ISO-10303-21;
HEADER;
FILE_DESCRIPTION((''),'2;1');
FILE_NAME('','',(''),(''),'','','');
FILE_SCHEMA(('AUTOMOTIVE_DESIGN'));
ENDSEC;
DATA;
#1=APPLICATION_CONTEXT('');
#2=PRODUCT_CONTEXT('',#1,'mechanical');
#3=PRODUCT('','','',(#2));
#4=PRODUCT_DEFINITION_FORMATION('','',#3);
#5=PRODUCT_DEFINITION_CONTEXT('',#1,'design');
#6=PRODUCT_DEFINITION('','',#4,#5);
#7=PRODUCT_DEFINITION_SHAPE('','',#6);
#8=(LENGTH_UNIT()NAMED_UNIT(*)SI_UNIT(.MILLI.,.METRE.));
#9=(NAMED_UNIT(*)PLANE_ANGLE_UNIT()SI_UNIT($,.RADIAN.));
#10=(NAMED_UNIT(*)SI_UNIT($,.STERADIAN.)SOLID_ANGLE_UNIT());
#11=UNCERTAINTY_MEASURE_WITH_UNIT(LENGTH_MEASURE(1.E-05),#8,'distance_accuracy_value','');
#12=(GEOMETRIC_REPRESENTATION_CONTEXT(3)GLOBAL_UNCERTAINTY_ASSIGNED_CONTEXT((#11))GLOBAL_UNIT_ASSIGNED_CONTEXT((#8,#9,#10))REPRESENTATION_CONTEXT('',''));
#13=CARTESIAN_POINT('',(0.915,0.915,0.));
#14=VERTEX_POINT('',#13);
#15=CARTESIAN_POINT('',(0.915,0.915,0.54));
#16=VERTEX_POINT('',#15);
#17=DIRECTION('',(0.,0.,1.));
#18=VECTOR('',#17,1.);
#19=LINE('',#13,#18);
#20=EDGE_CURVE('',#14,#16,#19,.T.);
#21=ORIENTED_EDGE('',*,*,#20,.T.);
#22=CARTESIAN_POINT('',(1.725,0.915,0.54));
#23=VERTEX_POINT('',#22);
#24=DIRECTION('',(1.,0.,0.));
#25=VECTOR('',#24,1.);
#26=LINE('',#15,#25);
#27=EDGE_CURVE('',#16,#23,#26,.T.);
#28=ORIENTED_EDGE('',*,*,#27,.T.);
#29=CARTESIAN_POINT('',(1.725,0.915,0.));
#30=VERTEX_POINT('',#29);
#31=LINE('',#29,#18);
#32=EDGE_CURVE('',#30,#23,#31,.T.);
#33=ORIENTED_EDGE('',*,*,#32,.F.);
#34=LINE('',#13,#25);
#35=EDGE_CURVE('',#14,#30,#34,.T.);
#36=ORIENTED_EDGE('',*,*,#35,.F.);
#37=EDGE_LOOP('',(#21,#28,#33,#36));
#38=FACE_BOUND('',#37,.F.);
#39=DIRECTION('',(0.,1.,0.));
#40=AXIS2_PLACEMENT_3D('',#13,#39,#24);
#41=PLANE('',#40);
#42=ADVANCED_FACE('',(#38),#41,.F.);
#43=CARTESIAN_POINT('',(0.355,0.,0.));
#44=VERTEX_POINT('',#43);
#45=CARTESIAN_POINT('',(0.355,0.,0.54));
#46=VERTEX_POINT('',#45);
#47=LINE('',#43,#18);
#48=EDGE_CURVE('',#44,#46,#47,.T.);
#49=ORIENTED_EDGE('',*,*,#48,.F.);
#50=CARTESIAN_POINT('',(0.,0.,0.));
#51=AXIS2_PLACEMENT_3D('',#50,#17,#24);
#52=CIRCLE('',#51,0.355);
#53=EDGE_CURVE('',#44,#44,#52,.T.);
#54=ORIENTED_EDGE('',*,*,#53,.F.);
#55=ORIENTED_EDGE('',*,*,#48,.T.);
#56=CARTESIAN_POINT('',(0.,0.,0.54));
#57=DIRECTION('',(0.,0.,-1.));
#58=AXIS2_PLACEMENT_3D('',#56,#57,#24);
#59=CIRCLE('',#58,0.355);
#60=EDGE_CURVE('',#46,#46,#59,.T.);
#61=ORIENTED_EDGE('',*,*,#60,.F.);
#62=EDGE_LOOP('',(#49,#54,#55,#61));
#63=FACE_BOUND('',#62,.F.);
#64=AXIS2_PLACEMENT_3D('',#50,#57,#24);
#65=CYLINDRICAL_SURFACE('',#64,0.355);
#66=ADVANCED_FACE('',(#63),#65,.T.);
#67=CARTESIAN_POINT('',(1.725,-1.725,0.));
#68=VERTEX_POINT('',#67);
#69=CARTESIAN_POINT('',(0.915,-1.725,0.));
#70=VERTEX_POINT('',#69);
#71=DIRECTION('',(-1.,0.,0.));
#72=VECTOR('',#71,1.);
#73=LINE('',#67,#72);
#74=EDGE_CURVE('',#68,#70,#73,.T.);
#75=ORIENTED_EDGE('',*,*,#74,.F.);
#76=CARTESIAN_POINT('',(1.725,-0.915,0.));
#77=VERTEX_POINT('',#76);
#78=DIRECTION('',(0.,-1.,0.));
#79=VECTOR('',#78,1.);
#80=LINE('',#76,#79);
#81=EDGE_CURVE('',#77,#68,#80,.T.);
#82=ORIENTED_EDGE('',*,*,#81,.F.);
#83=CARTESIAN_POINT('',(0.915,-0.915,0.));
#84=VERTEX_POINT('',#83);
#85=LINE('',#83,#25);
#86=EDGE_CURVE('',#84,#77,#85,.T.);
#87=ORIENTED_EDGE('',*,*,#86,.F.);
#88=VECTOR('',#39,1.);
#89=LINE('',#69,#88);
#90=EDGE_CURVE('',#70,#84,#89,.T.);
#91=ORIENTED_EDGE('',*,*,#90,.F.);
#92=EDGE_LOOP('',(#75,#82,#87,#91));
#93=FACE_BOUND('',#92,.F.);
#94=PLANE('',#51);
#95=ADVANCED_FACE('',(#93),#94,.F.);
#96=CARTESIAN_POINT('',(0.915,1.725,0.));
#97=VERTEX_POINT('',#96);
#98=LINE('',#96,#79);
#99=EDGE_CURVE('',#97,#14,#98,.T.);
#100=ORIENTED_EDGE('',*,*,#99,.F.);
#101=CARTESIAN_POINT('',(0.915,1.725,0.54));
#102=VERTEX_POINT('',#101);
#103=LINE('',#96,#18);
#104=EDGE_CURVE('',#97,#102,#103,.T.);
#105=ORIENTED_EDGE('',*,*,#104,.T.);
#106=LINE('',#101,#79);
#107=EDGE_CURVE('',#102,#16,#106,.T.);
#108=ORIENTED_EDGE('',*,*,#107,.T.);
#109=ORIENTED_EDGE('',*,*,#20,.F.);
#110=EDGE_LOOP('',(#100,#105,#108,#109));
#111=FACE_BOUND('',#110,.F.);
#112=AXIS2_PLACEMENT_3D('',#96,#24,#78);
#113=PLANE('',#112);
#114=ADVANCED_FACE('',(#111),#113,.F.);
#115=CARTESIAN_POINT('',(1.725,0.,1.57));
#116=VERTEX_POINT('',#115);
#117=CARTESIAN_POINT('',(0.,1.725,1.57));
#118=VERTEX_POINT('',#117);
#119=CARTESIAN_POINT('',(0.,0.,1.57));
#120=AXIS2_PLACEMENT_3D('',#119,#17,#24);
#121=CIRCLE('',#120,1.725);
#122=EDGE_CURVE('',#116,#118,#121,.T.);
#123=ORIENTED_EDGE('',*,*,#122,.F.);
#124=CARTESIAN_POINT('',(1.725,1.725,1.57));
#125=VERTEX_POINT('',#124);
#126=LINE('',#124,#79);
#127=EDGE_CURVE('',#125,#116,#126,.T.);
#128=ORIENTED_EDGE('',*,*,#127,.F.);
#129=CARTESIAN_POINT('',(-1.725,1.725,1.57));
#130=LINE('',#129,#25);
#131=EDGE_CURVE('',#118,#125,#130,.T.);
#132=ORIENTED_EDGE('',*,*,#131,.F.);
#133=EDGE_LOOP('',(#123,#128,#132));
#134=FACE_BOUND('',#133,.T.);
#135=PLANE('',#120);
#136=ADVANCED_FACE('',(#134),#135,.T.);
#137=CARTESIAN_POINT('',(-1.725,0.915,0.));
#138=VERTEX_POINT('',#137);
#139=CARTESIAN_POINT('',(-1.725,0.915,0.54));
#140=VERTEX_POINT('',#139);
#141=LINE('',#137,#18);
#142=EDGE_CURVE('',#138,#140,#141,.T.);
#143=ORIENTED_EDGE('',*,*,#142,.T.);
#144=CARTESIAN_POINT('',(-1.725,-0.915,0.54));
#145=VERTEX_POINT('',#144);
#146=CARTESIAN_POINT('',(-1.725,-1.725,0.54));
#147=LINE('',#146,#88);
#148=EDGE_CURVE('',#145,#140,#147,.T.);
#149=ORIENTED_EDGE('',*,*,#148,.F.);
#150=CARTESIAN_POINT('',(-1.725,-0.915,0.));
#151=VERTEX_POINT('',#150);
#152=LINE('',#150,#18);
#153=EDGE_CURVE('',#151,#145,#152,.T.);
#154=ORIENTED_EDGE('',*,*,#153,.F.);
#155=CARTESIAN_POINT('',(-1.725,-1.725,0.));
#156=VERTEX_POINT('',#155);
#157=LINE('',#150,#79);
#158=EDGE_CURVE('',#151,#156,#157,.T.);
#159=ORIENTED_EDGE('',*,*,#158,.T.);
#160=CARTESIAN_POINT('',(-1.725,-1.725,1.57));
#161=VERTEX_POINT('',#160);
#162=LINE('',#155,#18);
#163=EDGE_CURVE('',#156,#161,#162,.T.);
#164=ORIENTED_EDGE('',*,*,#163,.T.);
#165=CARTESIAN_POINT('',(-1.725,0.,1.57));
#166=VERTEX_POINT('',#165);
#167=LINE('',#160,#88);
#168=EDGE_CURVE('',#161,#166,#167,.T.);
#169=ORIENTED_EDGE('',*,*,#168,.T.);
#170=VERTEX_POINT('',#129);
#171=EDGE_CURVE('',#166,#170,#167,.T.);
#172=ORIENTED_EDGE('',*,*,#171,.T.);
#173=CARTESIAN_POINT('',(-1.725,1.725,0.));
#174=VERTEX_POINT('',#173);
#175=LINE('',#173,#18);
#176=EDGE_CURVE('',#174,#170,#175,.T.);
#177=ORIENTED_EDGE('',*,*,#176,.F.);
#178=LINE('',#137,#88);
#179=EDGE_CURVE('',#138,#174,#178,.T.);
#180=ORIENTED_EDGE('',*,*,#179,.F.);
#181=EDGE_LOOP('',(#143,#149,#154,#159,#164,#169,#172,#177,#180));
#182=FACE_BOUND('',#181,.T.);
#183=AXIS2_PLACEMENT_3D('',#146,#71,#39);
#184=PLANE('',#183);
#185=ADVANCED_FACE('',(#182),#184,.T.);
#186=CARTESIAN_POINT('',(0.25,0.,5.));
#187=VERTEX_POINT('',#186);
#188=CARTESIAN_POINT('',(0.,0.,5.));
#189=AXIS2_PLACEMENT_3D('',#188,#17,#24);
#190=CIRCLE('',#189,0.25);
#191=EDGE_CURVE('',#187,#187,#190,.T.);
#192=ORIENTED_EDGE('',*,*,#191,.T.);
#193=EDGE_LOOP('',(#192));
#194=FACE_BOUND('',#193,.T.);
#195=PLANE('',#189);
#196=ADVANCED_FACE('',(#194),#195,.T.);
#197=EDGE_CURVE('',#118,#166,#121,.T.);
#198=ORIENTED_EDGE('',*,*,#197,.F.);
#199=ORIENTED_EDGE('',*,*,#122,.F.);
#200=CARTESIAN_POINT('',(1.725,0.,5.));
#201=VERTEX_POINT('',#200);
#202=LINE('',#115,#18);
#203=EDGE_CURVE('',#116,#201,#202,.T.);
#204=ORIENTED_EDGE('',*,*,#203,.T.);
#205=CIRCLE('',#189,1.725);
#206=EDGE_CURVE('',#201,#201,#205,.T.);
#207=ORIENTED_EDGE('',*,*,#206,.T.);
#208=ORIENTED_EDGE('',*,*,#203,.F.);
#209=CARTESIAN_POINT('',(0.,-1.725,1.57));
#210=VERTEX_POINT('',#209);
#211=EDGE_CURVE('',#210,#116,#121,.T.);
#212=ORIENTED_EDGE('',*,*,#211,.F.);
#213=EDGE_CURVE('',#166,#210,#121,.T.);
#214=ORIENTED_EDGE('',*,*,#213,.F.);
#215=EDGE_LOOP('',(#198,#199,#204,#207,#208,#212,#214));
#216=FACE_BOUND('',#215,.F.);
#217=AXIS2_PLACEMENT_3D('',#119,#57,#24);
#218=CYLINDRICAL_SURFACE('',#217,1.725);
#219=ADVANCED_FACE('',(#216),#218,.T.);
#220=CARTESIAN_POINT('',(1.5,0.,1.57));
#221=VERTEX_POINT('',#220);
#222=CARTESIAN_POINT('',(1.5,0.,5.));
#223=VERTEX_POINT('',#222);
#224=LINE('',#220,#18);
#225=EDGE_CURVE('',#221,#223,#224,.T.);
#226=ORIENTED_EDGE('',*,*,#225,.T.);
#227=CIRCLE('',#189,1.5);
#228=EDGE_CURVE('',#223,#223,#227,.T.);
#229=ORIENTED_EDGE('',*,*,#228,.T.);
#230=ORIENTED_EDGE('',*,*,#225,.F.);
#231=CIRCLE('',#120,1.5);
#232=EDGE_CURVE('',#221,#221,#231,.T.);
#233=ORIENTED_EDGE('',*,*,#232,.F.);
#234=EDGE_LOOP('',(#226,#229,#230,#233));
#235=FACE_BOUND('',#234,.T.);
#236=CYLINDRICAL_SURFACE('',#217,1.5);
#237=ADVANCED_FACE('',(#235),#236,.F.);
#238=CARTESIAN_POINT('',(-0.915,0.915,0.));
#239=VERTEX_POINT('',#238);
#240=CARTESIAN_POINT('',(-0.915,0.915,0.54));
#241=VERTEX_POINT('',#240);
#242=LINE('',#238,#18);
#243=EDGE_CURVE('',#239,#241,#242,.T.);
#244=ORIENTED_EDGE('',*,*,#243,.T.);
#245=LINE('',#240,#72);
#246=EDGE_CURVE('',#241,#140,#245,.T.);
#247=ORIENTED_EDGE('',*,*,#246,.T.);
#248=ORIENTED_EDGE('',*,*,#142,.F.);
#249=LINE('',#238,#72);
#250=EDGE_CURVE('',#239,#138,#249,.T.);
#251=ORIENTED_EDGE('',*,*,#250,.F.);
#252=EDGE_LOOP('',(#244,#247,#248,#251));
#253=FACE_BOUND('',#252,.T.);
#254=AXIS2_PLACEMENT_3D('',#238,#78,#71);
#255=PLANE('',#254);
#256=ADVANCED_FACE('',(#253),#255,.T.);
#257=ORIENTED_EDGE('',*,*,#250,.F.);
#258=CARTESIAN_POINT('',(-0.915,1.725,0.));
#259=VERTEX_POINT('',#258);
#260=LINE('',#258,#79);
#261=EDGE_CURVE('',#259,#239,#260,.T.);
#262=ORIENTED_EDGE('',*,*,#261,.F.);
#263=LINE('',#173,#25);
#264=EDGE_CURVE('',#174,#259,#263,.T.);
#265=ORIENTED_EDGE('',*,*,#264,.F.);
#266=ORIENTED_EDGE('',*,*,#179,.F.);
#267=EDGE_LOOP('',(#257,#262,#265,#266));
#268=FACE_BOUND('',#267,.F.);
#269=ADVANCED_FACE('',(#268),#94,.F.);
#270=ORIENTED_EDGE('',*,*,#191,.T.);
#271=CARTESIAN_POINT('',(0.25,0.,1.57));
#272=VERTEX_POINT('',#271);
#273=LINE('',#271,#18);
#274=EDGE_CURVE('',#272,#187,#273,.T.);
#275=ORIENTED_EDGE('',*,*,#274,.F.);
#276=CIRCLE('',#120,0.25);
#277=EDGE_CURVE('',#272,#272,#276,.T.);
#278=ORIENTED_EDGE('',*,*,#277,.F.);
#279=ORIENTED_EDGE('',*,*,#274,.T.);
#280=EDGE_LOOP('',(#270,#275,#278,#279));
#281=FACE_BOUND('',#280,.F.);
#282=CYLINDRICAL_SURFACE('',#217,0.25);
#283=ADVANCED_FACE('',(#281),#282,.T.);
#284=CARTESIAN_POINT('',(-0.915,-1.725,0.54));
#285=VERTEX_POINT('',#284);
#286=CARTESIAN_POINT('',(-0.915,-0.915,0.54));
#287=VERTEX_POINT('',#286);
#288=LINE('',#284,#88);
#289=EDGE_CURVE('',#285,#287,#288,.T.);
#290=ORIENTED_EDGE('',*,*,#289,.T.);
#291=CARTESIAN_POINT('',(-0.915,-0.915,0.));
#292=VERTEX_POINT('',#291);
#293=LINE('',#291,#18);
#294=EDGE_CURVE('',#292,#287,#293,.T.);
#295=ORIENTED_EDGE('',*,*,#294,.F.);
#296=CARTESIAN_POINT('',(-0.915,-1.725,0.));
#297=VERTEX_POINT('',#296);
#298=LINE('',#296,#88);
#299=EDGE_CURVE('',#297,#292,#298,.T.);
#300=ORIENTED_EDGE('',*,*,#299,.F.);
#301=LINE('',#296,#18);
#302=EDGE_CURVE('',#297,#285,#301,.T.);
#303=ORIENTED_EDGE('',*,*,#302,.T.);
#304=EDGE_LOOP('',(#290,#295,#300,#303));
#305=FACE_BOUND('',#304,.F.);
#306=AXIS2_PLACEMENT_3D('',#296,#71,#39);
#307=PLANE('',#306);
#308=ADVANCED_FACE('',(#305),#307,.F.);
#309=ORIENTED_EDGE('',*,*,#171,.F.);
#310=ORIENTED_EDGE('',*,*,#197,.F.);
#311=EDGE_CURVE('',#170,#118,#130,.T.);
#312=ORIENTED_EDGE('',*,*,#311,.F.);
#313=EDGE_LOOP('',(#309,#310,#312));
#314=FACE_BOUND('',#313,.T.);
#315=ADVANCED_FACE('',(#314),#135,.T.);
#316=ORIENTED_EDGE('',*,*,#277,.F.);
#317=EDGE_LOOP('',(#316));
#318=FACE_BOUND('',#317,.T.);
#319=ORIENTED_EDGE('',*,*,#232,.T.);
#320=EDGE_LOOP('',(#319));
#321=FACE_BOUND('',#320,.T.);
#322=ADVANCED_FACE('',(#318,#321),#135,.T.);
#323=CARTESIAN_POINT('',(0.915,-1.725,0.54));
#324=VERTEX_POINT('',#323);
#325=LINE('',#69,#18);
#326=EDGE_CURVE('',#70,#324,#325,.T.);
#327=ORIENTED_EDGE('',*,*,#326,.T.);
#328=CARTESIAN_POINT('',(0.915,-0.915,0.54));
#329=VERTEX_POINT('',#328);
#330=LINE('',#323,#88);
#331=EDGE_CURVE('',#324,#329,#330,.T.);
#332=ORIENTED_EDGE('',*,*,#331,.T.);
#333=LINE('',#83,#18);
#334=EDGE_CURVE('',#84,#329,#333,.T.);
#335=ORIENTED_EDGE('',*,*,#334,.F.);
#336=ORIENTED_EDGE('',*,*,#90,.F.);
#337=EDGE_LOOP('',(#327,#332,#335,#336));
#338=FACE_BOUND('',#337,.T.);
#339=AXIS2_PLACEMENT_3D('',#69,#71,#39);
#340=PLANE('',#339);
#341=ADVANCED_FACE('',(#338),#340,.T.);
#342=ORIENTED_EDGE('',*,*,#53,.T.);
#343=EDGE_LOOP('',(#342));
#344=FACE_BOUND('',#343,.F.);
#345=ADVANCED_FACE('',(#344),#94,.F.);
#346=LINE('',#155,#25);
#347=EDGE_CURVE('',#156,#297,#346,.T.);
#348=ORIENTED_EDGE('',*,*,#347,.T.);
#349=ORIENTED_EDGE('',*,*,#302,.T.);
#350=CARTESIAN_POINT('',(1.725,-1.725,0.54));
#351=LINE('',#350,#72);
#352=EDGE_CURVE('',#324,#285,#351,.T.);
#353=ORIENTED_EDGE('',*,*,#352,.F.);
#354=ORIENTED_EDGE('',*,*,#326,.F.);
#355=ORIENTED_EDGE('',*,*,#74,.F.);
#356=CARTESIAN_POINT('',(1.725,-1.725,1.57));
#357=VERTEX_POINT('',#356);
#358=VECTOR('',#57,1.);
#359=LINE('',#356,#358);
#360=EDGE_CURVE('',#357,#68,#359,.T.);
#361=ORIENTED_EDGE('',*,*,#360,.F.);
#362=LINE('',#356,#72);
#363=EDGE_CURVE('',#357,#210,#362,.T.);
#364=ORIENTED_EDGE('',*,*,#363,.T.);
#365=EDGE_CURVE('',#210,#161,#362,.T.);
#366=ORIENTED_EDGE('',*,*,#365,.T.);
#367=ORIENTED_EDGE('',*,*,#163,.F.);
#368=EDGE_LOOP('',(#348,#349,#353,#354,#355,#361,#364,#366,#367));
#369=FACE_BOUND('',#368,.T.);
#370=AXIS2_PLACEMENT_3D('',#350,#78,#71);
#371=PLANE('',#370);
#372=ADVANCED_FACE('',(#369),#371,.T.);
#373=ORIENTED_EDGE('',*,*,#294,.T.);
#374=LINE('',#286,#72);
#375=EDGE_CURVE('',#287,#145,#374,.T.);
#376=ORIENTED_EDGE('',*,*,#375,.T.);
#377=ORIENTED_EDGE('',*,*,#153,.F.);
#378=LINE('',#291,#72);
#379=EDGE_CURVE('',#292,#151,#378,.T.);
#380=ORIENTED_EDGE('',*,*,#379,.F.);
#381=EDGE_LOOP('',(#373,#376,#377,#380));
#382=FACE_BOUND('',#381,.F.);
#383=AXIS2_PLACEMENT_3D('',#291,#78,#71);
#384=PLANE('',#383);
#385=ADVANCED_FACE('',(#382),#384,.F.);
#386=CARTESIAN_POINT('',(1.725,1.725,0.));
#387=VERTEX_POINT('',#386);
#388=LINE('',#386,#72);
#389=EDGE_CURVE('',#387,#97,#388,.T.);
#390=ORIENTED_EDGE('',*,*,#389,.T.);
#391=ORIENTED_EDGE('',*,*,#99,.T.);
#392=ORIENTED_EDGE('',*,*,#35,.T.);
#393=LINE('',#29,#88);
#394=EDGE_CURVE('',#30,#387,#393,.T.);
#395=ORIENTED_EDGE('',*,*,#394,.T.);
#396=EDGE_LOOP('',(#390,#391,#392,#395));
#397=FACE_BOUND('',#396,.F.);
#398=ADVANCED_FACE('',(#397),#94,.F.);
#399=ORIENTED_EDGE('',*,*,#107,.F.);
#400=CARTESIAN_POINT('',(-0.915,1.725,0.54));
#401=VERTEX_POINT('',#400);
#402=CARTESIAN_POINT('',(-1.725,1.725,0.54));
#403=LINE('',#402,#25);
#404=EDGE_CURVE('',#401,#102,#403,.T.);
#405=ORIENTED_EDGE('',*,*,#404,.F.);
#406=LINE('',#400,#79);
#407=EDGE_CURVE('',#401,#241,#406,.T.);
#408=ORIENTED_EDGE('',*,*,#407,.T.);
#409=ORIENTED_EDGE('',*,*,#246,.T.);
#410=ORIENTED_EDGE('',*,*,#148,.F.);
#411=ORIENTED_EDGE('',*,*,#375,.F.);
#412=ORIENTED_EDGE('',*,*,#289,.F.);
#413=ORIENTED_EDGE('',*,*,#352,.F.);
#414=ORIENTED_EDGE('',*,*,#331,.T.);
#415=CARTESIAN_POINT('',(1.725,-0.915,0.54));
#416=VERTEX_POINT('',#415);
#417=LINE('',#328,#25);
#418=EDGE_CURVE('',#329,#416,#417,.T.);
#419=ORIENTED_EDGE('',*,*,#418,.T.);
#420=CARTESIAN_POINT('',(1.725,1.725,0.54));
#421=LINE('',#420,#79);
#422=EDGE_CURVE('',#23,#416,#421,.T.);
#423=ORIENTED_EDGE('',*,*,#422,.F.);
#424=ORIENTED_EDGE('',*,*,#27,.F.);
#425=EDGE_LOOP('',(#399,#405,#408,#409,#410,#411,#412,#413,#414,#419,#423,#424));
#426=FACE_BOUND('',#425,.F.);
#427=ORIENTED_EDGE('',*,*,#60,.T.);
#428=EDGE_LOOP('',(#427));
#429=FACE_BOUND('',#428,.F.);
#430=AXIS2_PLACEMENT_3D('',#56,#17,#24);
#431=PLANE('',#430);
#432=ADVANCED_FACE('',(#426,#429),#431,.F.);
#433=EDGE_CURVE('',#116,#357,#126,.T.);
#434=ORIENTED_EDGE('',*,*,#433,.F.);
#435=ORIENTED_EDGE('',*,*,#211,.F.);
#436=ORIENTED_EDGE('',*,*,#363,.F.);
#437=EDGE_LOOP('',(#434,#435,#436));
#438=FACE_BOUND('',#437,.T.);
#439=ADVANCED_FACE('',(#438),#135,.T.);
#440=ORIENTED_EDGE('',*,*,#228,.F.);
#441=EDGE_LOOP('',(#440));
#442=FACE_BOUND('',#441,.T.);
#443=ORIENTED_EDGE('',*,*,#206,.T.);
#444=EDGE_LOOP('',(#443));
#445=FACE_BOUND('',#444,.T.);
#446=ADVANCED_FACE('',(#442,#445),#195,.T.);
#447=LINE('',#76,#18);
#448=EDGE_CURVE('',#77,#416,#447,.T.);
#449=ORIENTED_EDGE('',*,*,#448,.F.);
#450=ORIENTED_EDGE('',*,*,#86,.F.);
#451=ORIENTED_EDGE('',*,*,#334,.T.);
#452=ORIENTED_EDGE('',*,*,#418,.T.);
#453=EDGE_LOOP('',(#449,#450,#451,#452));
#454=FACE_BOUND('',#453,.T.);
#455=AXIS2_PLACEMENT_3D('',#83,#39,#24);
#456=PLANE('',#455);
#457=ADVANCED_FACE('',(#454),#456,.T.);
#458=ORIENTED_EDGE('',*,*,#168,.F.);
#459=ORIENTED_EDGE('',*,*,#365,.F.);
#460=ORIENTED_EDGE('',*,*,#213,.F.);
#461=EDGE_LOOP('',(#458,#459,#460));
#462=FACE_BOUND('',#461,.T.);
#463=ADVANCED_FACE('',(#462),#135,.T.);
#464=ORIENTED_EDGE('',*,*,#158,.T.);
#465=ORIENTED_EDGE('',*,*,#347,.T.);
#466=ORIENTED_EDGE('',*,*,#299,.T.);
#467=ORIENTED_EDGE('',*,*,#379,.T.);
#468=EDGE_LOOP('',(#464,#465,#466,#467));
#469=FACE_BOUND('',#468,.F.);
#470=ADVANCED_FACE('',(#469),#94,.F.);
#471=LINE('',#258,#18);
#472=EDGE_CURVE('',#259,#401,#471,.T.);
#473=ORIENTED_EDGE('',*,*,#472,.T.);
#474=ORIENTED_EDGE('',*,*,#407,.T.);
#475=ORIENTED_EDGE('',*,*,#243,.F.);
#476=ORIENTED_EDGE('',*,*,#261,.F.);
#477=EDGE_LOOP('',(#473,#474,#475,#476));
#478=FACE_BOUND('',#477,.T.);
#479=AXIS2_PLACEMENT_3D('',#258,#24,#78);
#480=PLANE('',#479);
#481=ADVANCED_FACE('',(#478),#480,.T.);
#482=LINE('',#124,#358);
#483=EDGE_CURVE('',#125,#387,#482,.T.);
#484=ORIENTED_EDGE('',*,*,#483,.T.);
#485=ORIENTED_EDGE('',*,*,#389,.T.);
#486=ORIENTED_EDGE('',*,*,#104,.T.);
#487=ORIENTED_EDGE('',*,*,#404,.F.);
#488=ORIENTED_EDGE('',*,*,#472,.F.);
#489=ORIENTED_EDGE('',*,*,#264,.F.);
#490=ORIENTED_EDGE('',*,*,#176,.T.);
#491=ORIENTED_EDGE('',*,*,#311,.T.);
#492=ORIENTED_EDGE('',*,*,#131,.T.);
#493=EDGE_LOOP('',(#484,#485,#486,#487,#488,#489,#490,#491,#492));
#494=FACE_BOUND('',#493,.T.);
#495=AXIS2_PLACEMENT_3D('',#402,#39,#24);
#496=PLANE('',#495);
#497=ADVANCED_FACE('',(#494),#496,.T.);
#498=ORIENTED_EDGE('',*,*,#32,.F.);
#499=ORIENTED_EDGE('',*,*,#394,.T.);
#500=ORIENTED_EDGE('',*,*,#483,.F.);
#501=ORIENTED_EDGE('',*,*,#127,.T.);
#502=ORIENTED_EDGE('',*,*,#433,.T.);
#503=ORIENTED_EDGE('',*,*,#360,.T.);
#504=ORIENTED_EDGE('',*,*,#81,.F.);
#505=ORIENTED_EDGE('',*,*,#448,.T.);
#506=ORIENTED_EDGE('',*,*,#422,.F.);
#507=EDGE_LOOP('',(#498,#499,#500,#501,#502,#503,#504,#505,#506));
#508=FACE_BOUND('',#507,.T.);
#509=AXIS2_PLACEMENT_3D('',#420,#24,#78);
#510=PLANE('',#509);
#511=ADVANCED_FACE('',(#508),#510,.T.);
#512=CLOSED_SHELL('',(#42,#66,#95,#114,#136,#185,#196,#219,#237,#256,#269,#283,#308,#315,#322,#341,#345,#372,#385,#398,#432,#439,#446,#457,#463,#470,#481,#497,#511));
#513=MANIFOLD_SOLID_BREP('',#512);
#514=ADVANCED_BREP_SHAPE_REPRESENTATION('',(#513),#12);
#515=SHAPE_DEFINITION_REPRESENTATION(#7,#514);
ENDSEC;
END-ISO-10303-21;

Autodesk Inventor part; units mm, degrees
ref_plane "YZ Plane" through (0, 0, 0) normal (1, 0, 0) x (0, 1, 0)
ref_plane "XZ Plane" through (0, 0, 0) normal (0, 1, 0) x (-1, 0, 0)
sketch "Sketch1" plane through (0, 0, 0) normal (0, 0, 1) x (1, 0, 0)
  line L0 (0, 0) -> (0.4099, 0)
  line L1 (0, 0) -> (0, 0.6993)
  circle A0 centre (0, 0) radius 0.355
  line L2 (-1.725, 1.725) -> (1.725, 1.725) construction
  line L3 (1.725, 1.725) -> (1.725, -1.725) construction
  line L4 (1.725, -1.725) -> (-1.725, -1.725) construction
  line L5 (-1.725, -1.725) -> (-1.725, 1.725) construction
  line L6 (-1.725, 1.725) -> (-0.915, 1.725)
  line L7 (-0.915, 1.725) -> (-0.915, 0.915)
  line L8 (-0.915, 0.915) -> (-1.725, 0.915)
  line L9 (-1.725, 0.915) -> (-1.725, 1.725)
  line L10 (-1.725, -1.725) -> (-0.915, -1.725)
  line L11 (-0.915, -1.725) -> (-0.915, -0.915)
  line L12 (-0.915, -0.915) -> (-1.725, -0.915)
  line L13 (-1.725, -0.915) -> (-1.725, -1.725)
  line L14 (1.725, -1.725) -> (0.915, -1.725)
  line L15 (0.915, -1.725) -> (0.915, -0.915)
  line L16 (0.915, -0.915) -> (1.725, -0.915)
  line L17 (1.725, -0.915) -> (1.725, -1.725)
  line L18 (1.725, 1.725) -> (0.915, 1.725)
  line L19 (0.915, 1.725) -> (0.915, 0.915)
  line L20 (0.915, 0.915) -> (1.725, 0.915)
  line L21 (1.725, 0.915) -> (1.725, 1.725)
  dimension "d25" = 3.45
  dimension "d26" = 3.45
  dimension "d27" = 0.81
  dimension "d28" = 0.71
extrude "Extrusion1" add sketch "Sketch1" along normal blind 0.54
ref_plane "Work Plane2" through (0, 0, 0.54) normal (0, 0, 1) x (1, 0, 0)
sketch "Sketch2" plane through (0, 0, 0.54) normal (0, 0, 1) x (1, 0, 0)
  line L0 (-1.725, 1.725) -> (1.725, 1.725)
  line L1 (1.725, 1.725) -> (1.725, -1.725)
  line L2 (1.725, -1.725) -> (-1.725, -1.725)
  line L3 (-1.725, -1.725) -> (-1.725, 1.725)
  line L4 (0, 0) -> (0.4406, 0)
  line L5 (0, 0) -> (0, 0.4944)
extrude "Extrusion2" add sketch "Sketch2" along normal blind 1.03
sketch "Sketch3" plane through (0, 0, 1.57) normal (0, 0, 1) x (1, 0, 0)
  circle A0 centre (0, 0) radius 1.725
  circle A1 centre (0, 0) radius 1.5
  circle A2 centre (0, 0) radius 0.25
  dimension "d20" = 0.5
  dimension "d21" = 3.45
  dimension "d22" = 3
extrude "Extrusion3" add sketch "Sketch3" along normal blind 3.43
properties part number "MOLEX 73415-2061" material "Brass, Soft Yellow"
